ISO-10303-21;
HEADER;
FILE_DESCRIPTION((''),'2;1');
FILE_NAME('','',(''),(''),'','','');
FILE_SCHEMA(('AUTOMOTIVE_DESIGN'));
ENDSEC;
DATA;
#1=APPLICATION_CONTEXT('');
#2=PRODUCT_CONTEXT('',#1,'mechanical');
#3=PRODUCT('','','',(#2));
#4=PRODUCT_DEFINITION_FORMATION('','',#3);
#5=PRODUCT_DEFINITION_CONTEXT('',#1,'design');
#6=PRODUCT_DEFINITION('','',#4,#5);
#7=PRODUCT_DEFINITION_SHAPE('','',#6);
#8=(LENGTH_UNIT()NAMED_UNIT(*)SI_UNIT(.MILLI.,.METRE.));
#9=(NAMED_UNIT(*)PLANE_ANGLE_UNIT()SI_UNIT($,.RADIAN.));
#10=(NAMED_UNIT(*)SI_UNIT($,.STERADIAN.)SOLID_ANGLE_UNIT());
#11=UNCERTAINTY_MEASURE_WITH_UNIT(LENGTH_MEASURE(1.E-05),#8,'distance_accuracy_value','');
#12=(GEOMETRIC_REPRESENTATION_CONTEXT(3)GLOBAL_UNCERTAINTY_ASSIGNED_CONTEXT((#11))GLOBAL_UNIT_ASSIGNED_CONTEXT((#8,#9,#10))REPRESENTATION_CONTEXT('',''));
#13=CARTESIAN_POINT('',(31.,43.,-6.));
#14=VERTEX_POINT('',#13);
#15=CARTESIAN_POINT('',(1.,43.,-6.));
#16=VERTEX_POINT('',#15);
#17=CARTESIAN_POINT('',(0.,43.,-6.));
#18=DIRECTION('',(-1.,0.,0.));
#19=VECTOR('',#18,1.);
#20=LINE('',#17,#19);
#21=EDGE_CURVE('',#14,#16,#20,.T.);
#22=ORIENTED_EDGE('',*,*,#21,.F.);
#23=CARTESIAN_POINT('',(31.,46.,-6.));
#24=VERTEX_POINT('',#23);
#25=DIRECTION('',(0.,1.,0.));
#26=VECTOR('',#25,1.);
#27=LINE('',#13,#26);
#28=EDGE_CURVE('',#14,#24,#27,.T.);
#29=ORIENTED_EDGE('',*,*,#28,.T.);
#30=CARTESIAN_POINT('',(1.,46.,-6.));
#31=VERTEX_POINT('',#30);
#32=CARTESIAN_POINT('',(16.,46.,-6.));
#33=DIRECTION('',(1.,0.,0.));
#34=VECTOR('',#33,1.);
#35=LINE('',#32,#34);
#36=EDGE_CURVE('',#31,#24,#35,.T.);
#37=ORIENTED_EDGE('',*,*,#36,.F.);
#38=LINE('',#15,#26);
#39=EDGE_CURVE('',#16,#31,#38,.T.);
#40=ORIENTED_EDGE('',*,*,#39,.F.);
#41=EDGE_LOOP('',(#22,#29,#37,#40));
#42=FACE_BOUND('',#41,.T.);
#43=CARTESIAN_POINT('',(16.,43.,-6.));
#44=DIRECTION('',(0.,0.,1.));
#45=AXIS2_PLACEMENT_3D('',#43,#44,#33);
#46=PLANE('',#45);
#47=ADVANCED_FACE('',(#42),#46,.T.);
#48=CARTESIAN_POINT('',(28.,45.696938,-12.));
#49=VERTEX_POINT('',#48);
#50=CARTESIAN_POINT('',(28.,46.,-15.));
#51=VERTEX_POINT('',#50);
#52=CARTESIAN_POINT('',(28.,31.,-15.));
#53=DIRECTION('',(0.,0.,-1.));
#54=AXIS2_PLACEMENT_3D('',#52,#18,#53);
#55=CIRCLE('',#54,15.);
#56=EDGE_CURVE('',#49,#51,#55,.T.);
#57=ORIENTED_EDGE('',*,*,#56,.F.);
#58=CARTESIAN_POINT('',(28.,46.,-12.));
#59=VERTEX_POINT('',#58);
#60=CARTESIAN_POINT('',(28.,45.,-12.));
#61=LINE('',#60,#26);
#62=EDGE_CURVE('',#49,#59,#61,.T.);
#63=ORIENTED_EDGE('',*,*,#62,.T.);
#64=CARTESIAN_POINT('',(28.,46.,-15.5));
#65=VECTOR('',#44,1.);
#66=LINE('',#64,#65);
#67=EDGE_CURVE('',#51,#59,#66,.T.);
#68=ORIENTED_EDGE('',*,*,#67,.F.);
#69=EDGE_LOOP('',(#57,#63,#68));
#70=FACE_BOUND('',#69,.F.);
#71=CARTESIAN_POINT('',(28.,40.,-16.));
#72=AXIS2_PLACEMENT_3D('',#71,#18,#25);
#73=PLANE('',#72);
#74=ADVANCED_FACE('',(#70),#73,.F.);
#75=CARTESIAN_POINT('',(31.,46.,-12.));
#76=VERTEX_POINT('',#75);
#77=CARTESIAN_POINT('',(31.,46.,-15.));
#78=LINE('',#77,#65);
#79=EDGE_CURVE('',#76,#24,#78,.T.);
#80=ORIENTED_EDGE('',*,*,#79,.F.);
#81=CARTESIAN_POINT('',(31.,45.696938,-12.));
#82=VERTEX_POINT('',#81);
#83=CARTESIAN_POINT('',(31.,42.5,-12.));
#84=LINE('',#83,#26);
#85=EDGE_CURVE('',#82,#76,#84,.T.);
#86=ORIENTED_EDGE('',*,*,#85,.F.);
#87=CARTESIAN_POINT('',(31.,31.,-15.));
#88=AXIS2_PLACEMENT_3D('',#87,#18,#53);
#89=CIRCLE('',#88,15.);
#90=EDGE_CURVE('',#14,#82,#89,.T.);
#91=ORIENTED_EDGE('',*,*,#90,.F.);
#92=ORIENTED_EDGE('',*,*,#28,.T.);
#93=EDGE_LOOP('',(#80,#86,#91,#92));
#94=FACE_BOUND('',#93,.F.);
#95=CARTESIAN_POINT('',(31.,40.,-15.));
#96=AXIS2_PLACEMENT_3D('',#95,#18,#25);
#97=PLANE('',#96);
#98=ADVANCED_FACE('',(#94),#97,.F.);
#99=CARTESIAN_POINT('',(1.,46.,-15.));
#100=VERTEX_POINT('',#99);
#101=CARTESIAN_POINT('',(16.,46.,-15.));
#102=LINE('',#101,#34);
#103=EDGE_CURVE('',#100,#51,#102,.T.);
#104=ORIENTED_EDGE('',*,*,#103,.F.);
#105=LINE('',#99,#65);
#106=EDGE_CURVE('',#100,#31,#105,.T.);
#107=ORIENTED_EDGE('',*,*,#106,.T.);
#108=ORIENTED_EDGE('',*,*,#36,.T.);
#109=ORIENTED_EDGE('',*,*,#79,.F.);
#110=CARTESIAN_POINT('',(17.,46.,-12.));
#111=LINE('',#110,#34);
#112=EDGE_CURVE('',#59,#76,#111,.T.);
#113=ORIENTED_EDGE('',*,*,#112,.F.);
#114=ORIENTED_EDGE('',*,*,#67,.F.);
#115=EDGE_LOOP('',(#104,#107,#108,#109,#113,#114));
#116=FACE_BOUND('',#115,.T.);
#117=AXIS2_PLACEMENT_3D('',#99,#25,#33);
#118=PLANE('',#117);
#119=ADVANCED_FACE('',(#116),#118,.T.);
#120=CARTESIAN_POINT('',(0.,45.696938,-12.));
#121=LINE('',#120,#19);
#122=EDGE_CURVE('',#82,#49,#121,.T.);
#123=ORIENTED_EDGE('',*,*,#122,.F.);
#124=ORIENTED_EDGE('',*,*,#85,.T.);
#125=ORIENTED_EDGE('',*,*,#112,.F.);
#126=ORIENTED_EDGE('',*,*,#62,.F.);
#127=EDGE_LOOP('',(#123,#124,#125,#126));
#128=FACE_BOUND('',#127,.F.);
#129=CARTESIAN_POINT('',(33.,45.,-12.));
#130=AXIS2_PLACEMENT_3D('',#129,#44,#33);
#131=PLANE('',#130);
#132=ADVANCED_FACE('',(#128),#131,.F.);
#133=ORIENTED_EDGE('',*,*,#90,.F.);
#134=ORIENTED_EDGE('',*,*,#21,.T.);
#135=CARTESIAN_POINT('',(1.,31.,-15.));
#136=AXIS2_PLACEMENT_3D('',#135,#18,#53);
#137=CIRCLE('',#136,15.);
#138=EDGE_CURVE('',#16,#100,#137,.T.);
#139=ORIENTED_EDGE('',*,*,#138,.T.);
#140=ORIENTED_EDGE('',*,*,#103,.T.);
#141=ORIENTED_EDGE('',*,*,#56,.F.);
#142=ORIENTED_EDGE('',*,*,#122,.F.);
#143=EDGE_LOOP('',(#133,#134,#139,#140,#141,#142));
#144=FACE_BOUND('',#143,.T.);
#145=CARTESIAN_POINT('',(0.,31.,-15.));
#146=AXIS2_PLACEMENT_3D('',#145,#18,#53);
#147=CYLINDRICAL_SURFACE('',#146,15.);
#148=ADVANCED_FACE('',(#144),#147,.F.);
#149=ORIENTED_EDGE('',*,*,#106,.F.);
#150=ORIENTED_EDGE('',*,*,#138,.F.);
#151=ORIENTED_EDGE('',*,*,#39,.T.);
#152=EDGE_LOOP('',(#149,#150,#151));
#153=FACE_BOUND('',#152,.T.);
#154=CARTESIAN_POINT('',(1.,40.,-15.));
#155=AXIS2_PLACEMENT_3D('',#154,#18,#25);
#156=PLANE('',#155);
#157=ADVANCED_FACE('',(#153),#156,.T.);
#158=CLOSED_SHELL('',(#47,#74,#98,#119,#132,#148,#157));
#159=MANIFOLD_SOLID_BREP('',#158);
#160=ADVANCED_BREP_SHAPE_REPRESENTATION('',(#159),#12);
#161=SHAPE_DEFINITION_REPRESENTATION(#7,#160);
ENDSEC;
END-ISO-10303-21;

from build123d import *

# Parameters (mm, degrees)
BOX228_W          = 10
BOX228_H          = 10
BOX228_DEPTH      = 4
CYLINDER041_R     = 15
CYLINDER041_DEPTH = 32
BOX072_W          = 30
BOX072_H          = 6
BOX072_DEPTH      = 9


with BuildPart() as cube216:
    # Box228 → Box228 (new body)
    with BuildSketch(Plane(origin=(28, 40, -16), x_dir=(1, 0, 0), z_dir=(0, 0, 1))):
        with Locations((5, 5)):
            Rectangle(BOX228_W, BOX228_H)
    extrude(amount=BOX228_DEPTH)


with BuildPart() as cylinder128:
    # Cylinder041 → Cylinder041 (new body)
    with BuildSketch(Plane(origin=(0, 31, -15), x_dir=(0, 0, -1), z_dir=(1, 0, 0))):
        Circle(CYLINDER041_R)
    extrude(amount=CYLINDER041_DEPTH)


with BuildPart() as cut120:
    # Box072 → Box072 (new body)
    with BuildSketch(Plane(origin=(1, 40, -15), x_dir=(1, 0, 0), z_dir=(0, 0, 1))):
        with Locations((15, 3)):
            Rectangle(BOX072_W, BOX072_H)
    extrude(amount=BOX072_DEPTH)

    # Cut116: cut Cylinder128
    add(cylinder128.part, mode=Mode.SUBTRACT)

    # Cut120: cut Cube216
    add(cube216.part, mode=Mode.SUBTRACT)


solid = cut120.part
